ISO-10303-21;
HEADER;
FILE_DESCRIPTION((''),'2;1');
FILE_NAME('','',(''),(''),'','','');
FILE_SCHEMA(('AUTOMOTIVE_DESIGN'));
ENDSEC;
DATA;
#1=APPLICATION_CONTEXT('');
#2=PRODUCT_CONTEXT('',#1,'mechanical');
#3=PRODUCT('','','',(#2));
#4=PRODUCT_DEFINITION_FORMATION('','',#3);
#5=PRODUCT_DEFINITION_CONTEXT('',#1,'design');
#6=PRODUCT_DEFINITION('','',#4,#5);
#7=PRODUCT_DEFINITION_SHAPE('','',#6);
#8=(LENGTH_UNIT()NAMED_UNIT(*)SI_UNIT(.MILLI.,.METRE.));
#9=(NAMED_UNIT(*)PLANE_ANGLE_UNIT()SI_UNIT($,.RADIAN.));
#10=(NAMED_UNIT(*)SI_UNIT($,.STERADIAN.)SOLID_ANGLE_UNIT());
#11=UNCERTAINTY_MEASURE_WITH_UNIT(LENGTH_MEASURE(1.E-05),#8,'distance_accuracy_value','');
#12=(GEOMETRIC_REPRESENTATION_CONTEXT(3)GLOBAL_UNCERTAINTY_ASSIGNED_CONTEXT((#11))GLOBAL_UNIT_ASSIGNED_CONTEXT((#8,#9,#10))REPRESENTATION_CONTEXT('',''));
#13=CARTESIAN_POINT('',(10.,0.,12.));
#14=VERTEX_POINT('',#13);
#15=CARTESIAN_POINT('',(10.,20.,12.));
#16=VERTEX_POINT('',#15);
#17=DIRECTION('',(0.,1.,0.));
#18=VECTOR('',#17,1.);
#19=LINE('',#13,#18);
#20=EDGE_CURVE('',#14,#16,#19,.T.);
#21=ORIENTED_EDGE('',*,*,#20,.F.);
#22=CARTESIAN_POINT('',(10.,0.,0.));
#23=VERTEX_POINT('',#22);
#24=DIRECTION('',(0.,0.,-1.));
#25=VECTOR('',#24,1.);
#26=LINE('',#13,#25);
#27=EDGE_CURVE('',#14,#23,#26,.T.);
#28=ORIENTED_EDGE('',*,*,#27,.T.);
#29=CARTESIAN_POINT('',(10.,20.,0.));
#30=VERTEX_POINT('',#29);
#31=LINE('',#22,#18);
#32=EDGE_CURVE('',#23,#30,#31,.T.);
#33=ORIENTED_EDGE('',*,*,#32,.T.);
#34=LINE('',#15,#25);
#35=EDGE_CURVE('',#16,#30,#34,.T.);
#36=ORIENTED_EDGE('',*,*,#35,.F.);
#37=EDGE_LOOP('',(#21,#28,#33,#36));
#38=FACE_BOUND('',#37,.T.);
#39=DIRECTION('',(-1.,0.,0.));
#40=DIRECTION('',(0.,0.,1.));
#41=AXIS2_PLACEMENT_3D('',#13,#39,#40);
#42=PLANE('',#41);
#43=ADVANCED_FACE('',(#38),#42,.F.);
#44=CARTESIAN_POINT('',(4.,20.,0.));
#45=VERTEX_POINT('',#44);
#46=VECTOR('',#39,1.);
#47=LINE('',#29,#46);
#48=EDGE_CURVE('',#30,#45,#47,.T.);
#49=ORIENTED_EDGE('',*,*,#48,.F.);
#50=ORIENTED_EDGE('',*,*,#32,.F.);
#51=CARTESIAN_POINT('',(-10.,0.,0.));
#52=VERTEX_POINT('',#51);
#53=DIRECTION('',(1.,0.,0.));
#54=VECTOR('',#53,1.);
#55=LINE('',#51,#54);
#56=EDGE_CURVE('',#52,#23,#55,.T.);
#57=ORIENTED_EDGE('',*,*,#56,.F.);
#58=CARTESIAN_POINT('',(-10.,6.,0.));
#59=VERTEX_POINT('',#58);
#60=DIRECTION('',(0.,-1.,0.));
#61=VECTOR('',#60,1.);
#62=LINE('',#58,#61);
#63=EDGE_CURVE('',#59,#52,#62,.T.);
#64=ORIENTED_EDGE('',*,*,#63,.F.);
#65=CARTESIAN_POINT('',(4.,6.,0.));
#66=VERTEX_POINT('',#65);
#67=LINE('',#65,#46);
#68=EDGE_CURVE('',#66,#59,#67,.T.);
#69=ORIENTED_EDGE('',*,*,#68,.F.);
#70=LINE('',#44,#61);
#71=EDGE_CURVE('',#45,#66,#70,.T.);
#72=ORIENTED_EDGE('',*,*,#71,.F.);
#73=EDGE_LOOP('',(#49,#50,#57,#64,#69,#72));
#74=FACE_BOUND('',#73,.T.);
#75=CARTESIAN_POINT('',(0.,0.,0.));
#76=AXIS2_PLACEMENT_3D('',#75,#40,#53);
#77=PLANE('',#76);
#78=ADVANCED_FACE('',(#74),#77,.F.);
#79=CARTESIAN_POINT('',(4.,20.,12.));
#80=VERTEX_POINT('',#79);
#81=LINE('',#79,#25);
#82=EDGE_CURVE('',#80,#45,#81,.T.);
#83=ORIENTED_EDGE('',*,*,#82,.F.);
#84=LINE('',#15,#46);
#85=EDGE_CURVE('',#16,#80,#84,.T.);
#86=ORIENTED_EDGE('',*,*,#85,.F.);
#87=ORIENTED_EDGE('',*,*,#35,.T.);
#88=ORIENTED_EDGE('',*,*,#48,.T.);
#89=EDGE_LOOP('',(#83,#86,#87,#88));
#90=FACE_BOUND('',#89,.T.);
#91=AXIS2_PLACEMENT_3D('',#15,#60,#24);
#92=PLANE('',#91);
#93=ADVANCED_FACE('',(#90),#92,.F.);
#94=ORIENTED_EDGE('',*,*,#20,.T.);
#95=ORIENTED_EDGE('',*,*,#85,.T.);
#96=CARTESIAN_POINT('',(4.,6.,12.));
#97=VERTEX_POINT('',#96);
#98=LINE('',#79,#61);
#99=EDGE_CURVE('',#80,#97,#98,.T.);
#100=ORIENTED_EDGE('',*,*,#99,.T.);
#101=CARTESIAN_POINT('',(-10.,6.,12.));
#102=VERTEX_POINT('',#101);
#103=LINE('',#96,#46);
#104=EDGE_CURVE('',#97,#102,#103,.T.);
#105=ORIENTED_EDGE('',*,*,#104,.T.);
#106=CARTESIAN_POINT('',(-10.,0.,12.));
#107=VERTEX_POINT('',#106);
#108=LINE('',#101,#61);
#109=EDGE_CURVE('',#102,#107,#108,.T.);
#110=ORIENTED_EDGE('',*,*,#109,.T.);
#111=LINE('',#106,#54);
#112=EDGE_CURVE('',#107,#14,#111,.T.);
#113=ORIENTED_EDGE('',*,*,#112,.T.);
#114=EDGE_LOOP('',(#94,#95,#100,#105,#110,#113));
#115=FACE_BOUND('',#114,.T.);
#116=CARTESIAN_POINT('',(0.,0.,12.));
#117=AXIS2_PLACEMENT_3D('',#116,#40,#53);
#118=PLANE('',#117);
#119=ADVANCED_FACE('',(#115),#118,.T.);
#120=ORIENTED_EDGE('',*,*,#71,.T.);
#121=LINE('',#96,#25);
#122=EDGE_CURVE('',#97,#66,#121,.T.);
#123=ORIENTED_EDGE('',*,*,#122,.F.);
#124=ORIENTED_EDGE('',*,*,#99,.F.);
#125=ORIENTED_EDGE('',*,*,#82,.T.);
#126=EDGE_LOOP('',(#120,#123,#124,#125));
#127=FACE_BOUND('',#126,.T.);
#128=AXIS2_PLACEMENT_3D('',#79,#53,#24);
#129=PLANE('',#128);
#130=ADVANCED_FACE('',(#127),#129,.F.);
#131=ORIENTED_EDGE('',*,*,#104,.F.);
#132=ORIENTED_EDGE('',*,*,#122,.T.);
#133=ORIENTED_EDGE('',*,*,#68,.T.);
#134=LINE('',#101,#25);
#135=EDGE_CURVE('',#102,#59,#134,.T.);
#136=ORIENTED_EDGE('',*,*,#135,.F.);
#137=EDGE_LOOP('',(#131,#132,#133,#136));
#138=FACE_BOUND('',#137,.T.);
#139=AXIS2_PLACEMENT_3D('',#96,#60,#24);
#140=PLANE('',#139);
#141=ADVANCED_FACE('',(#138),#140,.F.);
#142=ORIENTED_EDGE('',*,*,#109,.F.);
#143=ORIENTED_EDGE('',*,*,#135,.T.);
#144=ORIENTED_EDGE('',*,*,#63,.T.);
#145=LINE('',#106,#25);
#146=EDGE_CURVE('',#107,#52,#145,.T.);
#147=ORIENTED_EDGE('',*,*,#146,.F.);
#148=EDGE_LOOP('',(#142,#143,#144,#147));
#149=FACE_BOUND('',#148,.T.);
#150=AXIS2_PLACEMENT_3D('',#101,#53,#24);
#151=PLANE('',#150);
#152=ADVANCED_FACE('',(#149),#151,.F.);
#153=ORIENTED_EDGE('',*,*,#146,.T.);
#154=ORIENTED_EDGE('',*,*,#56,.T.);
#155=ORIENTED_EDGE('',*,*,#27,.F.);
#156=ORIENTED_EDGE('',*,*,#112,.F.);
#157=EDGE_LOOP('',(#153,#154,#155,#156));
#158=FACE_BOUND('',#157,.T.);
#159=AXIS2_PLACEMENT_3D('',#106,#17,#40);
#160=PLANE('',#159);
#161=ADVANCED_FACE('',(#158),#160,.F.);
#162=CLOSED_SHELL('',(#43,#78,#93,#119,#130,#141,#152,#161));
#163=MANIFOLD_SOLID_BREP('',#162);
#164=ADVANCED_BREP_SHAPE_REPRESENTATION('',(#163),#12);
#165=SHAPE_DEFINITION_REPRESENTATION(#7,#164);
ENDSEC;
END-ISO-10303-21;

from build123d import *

# Parameters (mm, degrees)
F_12_CORNER_CLEAT_DEPTH = 12


with BuildPart() as part:
    # Эскиз1 → 12_Corner_cleat (new body)
    with BuildSketch(Plane.XY):
        Polygon((-10, 0), (10, 0), (10, 20), (4, 20), (4, 6), (-10, 6), align=None)
    extrude(amount=F_12_CORNER_CLEAT_DEPTH)


solid = part.part
